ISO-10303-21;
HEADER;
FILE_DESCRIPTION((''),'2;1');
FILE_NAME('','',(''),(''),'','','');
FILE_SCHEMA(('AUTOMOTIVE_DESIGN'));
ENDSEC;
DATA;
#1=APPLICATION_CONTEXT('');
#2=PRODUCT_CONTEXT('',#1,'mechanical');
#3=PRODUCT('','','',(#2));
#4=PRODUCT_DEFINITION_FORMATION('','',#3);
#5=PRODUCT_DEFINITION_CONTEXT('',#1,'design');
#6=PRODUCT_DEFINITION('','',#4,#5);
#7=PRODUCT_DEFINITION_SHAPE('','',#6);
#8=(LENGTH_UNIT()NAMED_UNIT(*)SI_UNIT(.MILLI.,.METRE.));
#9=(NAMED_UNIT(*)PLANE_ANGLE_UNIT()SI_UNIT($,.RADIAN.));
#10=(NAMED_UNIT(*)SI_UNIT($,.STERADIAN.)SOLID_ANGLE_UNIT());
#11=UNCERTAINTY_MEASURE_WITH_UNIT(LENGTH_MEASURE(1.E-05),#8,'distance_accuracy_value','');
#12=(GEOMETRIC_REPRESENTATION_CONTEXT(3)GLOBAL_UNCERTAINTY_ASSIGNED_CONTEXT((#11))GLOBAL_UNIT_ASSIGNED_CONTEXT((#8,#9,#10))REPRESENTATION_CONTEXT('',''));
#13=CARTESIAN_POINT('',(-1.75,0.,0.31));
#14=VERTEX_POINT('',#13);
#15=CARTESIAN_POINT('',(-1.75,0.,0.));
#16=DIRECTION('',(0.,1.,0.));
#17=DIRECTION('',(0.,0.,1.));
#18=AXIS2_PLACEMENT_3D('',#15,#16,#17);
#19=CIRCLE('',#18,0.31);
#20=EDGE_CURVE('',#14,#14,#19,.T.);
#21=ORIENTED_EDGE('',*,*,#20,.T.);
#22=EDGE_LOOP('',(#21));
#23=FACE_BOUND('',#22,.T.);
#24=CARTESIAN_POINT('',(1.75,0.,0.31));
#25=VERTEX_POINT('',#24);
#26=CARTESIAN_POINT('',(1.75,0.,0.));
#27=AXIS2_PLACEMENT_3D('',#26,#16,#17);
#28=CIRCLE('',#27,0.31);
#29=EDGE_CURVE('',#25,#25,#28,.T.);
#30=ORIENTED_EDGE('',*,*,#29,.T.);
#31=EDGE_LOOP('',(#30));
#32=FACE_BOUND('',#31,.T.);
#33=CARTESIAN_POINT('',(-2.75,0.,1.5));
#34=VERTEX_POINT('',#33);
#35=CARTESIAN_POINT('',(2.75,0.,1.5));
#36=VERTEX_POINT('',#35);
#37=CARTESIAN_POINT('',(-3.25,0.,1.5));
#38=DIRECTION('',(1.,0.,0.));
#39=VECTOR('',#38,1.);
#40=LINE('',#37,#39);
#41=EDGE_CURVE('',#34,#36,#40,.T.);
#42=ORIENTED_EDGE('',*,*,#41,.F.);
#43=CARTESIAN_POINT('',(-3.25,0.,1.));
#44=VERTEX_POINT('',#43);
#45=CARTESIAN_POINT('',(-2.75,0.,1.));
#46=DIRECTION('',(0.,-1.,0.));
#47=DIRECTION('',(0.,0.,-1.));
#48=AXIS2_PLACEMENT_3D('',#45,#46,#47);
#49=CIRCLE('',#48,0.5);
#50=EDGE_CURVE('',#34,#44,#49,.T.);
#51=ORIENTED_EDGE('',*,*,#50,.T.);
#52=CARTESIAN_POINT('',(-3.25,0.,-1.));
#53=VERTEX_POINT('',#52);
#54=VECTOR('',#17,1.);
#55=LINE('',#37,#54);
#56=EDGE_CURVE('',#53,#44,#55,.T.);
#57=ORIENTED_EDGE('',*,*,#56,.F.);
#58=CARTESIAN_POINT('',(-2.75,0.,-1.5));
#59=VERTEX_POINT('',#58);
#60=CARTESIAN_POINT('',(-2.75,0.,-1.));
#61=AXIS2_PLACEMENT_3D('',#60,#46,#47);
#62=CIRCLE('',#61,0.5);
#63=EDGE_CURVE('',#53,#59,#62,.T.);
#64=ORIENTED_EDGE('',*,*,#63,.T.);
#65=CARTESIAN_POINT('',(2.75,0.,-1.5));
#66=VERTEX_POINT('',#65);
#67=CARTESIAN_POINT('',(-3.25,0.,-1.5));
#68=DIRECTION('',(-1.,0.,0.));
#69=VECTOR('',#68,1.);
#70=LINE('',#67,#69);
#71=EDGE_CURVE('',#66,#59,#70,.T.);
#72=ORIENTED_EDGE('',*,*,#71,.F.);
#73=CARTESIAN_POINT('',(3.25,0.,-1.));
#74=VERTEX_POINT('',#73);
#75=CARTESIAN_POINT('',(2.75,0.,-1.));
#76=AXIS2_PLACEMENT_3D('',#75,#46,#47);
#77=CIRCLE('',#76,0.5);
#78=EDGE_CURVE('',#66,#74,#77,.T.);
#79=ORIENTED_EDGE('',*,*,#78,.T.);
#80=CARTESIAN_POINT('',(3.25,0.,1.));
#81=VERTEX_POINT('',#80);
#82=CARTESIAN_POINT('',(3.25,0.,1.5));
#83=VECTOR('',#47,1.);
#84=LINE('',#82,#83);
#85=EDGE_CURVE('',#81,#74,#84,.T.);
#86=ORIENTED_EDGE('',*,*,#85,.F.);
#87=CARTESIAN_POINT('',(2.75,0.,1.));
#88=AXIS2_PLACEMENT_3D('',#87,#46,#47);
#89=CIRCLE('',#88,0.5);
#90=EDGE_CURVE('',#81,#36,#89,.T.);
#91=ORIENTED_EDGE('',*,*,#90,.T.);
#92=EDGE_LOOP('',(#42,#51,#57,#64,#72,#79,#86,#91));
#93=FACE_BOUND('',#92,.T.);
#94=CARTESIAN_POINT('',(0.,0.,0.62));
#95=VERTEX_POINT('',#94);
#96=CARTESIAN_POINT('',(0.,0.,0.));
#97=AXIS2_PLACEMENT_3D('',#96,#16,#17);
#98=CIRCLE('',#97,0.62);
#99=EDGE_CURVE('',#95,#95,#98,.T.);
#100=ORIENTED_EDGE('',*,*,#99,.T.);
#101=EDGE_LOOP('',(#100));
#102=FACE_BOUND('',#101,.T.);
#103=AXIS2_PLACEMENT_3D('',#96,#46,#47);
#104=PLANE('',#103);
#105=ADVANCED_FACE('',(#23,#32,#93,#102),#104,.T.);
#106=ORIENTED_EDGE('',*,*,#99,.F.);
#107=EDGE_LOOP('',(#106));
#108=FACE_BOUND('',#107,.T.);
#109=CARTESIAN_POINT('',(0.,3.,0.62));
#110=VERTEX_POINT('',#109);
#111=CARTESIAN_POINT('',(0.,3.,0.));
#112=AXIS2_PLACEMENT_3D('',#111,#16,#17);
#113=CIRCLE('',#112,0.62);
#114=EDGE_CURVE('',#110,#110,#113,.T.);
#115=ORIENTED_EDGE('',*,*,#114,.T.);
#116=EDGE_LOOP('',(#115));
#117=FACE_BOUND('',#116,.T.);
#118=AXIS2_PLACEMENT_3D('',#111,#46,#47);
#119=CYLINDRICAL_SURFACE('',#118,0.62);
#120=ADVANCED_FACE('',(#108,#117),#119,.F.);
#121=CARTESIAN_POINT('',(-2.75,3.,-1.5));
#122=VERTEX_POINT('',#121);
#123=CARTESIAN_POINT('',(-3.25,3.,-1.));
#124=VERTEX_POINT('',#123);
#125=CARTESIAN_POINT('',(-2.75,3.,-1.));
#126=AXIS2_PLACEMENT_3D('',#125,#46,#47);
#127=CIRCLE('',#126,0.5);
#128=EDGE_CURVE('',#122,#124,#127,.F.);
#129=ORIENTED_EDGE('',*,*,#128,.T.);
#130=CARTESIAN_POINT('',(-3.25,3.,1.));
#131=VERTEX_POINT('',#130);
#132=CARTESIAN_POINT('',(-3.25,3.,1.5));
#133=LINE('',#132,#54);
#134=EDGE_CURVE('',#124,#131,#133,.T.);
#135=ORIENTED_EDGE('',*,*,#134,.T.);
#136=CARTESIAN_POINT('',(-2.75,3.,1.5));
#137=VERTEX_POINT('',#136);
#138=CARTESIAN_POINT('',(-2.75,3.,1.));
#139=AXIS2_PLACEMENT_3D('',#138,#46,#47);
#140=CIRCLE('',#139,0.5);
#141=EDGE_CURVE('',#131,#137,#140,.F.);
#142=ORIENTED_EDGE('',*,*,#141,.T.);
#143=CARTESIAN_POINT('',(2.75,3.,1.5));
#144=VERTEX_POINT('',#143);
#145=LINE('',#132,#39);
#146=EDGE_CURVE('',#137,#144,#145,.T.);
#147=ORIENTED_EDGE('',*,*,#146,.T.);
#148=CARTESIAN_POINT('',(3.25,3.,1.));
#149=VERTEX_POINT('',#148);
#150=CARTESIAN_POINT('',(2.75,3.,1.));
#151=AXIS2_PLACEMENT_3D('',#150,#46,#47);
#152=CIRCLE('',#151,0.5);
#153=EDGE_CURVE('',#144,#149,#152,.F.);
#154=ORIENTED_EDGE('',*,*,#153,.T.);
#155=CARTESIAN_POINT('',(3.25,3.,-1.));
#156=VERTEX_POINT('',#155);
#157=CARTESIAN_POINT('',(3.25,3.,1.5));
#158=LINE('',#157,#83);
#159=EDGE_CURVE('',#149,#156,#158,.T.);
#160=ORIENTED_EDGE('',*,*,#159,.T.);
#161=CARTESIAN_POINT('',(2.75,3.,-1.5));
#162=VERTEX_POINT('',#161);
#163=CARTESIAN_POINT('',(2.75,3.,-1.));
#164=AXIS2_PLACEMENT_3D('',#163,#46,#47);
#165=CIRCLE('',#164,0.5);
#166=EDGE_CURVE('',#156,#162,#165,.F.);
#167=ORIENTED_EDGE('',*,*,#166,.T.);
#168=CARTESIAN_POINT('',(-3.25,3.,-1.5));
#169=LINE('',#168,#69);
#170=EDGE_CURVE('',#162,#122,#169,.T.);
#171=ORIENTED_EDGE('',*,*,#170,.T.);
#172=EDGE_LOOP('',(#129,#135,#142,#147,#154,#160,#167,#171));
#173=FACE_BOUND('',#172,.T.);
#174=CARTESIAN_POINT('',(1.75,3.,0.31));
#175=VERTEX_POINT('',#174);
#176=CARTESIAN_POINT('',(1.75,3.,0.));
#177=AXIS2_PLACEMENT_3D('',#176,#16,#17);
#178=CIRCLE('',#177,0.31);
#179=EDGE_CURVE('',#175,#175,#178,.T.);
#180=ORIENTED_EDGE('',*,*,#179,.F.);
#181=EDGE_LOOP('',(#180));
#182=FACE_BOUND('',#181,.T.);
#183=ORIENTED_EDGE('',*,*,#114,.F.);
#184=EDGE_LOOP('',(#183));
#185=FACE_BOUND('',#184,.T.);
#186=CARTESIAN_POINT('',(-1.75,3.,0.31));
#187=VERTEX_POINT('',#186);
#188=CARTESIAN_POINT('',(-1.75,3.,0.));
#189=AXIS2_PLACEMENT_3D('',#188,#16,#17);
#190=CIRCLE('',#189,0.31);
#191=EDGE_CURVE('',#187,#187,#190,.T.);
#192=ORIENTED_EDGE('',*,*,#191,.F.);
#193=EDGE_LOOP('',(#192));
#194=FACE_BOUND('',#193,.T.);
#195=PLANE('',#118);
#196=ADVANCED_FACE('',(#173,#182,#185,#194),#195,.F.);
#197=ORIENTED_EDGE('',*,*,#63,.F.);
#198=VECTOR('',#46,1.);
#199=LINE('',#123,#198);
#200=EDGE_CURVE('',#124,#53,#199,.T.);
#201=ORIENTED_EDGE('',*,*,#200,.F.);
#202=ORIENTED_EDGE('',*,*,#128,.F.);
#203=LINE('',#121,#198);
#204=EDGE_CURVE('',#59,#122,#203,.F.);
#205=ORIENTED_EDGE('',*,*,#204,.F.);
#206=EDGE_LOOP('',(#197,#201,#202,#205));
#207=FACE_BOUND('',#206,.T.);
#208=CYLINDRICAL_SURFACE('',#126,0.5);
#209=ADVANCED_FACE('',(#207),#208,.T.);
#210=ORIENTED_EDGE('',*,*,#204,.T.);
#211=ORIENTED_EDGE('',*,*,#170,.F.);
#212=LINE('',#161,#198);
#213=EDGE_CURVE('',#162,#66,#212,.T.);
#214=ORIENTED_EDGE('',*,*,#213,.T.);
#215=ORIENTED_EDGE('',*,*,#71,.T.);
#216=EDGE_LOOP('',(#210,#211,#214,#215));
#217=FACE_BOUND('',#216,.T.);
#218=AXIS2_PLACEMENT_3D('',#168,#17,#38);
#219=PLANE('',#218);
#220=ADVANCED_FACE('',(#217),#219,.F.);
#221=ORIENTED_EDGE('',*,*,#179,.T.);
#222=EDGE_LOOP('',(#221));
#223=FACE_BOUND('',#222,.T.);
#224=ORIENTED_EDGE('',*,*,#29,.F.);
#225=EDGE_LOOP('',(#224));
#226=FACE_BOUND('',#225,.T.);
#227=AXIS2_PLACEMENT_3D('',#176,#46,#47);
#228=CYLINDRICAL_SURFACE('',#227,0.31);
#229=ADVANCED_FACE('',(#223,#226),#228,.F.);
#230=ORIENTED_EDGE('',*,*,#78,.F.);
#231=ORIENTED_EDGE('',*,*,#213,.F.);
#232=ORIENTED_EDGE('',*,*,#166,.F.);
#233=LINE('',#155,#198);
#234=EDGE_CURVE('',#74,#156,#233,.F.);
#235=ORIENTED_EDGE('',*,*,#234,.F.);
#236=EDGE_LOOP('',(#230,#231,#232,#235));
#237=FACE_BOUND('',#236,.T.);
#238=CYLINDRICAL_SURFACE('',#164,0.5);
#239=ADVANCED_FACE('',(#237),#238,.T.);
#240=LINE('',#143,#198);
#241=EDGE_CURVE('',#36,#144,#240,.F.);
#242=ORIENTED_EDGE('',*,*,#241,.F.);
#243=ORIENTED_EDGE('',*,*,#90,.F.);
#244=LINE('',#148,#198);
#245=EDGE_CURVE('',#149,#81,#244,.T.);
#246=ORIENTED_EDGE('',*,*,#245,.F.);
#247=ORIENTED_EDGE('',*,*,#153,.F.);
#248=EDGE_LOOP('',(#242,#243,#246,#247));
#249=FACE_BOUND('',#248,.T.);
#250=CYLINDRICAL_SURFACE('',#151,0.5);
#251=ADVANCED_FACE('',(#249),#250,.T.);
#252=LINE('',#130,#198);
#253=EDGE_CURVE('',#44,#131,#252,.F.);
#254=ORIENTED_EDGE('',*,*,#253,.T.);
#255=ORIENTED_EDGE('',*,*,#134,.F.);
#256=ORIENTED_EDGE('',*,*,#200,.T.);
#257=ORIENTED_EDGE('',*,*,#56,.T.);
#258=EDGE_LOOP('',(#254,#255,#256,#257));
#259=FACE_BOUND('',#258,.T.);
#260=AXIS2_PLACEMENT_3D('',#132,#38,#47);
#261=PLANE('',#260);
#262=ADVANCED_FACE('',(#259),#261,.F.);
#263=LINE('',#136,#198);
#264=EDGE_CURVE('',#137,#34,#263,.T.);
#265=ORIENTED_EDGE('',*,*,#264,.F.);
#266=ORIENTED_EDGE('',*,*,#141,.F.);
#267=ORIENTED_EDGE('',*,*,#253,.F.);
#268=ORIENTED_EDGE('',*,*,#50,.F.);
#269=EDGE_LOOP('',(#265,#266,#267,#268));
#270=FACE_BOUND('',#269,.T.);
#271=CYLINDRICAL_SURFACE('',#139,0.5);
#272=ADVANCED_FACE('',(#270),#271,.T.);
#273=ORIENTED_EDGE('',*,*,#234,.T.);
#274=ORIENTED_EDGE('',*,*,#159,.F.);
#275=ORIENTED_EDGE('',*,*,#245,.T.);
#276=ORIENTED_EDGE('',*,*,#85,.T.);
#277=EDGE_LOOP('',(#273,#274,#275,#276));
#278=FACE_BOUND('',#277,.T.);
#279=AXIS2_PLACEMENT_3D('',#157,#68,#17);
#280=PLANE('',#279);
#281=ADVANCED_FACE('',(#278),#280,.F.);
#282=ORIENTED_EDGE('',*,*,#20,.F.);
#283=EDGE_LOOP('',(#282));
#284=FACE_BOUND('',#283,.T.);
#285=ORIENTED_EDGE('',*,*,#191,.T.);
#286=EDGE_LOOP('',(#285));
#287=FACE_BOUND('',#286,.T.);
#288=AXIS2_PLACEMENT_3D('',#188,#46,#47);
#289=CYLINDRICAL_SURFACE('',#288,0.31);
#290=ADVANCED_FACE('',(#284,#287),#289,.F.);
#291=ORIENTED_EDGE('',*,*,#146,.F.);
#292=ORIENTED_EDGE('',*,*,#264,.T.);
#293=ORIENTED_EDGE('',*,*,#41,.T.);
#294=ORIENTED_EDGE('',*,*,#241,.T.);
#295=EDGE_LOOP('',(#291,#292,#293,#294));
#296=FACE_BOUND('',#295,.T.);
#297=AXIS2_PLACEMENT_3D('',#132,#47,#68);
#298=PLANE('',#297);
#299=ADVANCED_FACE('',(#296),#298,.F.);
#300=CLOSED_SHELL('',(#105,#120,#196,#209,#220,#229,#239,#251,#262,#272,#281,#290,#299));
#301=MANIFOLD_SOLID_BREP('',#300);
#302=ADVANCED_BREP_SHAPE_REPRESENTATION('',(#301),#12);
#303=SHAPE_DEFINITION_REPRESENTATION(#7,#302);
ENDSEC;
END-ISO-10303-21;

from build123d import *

# Parameters (mm, degrees)
SKETCH1_W           = 6.5
SKETCH1_H           = 3
SKETCH1_R           = 0.31
SKETCH1_R_2         = 0.62
BOSS_EXTRUDE1_DEPTH = 3
FILLET1_R           = 0.5


with BuildPart() as part:
    # Sketch1 → Boss-Extrude1 (new body)
    with BuildSketch(Plane(origin=(0, 0, 0), x_dir=(1, 0, 0), z_dir=(0, 1, 0))):
        Rectangle(SKETCH1_W, SKETCH1_H)
        with Locations((-1.75, 0)):
            Circle(SKETCH1_R, mode=Mode.SUBTRACT)
        Circle(SKETCH1_R_2, mode=Mode.SUBTRACT)
        with Locations((1.75, 0)):
            Circle(SKETCH1_R, mode=Mode.SUBTRACT)
    extrude(amount=BOSS_EXTRUDE1_DEPTH)

    # Fillet1
    fillet1_edges = [part.edges().sort_by_distance(p)[0] for p in [
        (-3.25, 1.5, -1.5),
        (3.25, 1.5, -1.5),
        (3.25, 1.5, 1.5),
        (-3.25, 1.5, 1.5),
    ]]
    fillet(fillet1_edges, radius=FILLET1_R)


solid = part.part
